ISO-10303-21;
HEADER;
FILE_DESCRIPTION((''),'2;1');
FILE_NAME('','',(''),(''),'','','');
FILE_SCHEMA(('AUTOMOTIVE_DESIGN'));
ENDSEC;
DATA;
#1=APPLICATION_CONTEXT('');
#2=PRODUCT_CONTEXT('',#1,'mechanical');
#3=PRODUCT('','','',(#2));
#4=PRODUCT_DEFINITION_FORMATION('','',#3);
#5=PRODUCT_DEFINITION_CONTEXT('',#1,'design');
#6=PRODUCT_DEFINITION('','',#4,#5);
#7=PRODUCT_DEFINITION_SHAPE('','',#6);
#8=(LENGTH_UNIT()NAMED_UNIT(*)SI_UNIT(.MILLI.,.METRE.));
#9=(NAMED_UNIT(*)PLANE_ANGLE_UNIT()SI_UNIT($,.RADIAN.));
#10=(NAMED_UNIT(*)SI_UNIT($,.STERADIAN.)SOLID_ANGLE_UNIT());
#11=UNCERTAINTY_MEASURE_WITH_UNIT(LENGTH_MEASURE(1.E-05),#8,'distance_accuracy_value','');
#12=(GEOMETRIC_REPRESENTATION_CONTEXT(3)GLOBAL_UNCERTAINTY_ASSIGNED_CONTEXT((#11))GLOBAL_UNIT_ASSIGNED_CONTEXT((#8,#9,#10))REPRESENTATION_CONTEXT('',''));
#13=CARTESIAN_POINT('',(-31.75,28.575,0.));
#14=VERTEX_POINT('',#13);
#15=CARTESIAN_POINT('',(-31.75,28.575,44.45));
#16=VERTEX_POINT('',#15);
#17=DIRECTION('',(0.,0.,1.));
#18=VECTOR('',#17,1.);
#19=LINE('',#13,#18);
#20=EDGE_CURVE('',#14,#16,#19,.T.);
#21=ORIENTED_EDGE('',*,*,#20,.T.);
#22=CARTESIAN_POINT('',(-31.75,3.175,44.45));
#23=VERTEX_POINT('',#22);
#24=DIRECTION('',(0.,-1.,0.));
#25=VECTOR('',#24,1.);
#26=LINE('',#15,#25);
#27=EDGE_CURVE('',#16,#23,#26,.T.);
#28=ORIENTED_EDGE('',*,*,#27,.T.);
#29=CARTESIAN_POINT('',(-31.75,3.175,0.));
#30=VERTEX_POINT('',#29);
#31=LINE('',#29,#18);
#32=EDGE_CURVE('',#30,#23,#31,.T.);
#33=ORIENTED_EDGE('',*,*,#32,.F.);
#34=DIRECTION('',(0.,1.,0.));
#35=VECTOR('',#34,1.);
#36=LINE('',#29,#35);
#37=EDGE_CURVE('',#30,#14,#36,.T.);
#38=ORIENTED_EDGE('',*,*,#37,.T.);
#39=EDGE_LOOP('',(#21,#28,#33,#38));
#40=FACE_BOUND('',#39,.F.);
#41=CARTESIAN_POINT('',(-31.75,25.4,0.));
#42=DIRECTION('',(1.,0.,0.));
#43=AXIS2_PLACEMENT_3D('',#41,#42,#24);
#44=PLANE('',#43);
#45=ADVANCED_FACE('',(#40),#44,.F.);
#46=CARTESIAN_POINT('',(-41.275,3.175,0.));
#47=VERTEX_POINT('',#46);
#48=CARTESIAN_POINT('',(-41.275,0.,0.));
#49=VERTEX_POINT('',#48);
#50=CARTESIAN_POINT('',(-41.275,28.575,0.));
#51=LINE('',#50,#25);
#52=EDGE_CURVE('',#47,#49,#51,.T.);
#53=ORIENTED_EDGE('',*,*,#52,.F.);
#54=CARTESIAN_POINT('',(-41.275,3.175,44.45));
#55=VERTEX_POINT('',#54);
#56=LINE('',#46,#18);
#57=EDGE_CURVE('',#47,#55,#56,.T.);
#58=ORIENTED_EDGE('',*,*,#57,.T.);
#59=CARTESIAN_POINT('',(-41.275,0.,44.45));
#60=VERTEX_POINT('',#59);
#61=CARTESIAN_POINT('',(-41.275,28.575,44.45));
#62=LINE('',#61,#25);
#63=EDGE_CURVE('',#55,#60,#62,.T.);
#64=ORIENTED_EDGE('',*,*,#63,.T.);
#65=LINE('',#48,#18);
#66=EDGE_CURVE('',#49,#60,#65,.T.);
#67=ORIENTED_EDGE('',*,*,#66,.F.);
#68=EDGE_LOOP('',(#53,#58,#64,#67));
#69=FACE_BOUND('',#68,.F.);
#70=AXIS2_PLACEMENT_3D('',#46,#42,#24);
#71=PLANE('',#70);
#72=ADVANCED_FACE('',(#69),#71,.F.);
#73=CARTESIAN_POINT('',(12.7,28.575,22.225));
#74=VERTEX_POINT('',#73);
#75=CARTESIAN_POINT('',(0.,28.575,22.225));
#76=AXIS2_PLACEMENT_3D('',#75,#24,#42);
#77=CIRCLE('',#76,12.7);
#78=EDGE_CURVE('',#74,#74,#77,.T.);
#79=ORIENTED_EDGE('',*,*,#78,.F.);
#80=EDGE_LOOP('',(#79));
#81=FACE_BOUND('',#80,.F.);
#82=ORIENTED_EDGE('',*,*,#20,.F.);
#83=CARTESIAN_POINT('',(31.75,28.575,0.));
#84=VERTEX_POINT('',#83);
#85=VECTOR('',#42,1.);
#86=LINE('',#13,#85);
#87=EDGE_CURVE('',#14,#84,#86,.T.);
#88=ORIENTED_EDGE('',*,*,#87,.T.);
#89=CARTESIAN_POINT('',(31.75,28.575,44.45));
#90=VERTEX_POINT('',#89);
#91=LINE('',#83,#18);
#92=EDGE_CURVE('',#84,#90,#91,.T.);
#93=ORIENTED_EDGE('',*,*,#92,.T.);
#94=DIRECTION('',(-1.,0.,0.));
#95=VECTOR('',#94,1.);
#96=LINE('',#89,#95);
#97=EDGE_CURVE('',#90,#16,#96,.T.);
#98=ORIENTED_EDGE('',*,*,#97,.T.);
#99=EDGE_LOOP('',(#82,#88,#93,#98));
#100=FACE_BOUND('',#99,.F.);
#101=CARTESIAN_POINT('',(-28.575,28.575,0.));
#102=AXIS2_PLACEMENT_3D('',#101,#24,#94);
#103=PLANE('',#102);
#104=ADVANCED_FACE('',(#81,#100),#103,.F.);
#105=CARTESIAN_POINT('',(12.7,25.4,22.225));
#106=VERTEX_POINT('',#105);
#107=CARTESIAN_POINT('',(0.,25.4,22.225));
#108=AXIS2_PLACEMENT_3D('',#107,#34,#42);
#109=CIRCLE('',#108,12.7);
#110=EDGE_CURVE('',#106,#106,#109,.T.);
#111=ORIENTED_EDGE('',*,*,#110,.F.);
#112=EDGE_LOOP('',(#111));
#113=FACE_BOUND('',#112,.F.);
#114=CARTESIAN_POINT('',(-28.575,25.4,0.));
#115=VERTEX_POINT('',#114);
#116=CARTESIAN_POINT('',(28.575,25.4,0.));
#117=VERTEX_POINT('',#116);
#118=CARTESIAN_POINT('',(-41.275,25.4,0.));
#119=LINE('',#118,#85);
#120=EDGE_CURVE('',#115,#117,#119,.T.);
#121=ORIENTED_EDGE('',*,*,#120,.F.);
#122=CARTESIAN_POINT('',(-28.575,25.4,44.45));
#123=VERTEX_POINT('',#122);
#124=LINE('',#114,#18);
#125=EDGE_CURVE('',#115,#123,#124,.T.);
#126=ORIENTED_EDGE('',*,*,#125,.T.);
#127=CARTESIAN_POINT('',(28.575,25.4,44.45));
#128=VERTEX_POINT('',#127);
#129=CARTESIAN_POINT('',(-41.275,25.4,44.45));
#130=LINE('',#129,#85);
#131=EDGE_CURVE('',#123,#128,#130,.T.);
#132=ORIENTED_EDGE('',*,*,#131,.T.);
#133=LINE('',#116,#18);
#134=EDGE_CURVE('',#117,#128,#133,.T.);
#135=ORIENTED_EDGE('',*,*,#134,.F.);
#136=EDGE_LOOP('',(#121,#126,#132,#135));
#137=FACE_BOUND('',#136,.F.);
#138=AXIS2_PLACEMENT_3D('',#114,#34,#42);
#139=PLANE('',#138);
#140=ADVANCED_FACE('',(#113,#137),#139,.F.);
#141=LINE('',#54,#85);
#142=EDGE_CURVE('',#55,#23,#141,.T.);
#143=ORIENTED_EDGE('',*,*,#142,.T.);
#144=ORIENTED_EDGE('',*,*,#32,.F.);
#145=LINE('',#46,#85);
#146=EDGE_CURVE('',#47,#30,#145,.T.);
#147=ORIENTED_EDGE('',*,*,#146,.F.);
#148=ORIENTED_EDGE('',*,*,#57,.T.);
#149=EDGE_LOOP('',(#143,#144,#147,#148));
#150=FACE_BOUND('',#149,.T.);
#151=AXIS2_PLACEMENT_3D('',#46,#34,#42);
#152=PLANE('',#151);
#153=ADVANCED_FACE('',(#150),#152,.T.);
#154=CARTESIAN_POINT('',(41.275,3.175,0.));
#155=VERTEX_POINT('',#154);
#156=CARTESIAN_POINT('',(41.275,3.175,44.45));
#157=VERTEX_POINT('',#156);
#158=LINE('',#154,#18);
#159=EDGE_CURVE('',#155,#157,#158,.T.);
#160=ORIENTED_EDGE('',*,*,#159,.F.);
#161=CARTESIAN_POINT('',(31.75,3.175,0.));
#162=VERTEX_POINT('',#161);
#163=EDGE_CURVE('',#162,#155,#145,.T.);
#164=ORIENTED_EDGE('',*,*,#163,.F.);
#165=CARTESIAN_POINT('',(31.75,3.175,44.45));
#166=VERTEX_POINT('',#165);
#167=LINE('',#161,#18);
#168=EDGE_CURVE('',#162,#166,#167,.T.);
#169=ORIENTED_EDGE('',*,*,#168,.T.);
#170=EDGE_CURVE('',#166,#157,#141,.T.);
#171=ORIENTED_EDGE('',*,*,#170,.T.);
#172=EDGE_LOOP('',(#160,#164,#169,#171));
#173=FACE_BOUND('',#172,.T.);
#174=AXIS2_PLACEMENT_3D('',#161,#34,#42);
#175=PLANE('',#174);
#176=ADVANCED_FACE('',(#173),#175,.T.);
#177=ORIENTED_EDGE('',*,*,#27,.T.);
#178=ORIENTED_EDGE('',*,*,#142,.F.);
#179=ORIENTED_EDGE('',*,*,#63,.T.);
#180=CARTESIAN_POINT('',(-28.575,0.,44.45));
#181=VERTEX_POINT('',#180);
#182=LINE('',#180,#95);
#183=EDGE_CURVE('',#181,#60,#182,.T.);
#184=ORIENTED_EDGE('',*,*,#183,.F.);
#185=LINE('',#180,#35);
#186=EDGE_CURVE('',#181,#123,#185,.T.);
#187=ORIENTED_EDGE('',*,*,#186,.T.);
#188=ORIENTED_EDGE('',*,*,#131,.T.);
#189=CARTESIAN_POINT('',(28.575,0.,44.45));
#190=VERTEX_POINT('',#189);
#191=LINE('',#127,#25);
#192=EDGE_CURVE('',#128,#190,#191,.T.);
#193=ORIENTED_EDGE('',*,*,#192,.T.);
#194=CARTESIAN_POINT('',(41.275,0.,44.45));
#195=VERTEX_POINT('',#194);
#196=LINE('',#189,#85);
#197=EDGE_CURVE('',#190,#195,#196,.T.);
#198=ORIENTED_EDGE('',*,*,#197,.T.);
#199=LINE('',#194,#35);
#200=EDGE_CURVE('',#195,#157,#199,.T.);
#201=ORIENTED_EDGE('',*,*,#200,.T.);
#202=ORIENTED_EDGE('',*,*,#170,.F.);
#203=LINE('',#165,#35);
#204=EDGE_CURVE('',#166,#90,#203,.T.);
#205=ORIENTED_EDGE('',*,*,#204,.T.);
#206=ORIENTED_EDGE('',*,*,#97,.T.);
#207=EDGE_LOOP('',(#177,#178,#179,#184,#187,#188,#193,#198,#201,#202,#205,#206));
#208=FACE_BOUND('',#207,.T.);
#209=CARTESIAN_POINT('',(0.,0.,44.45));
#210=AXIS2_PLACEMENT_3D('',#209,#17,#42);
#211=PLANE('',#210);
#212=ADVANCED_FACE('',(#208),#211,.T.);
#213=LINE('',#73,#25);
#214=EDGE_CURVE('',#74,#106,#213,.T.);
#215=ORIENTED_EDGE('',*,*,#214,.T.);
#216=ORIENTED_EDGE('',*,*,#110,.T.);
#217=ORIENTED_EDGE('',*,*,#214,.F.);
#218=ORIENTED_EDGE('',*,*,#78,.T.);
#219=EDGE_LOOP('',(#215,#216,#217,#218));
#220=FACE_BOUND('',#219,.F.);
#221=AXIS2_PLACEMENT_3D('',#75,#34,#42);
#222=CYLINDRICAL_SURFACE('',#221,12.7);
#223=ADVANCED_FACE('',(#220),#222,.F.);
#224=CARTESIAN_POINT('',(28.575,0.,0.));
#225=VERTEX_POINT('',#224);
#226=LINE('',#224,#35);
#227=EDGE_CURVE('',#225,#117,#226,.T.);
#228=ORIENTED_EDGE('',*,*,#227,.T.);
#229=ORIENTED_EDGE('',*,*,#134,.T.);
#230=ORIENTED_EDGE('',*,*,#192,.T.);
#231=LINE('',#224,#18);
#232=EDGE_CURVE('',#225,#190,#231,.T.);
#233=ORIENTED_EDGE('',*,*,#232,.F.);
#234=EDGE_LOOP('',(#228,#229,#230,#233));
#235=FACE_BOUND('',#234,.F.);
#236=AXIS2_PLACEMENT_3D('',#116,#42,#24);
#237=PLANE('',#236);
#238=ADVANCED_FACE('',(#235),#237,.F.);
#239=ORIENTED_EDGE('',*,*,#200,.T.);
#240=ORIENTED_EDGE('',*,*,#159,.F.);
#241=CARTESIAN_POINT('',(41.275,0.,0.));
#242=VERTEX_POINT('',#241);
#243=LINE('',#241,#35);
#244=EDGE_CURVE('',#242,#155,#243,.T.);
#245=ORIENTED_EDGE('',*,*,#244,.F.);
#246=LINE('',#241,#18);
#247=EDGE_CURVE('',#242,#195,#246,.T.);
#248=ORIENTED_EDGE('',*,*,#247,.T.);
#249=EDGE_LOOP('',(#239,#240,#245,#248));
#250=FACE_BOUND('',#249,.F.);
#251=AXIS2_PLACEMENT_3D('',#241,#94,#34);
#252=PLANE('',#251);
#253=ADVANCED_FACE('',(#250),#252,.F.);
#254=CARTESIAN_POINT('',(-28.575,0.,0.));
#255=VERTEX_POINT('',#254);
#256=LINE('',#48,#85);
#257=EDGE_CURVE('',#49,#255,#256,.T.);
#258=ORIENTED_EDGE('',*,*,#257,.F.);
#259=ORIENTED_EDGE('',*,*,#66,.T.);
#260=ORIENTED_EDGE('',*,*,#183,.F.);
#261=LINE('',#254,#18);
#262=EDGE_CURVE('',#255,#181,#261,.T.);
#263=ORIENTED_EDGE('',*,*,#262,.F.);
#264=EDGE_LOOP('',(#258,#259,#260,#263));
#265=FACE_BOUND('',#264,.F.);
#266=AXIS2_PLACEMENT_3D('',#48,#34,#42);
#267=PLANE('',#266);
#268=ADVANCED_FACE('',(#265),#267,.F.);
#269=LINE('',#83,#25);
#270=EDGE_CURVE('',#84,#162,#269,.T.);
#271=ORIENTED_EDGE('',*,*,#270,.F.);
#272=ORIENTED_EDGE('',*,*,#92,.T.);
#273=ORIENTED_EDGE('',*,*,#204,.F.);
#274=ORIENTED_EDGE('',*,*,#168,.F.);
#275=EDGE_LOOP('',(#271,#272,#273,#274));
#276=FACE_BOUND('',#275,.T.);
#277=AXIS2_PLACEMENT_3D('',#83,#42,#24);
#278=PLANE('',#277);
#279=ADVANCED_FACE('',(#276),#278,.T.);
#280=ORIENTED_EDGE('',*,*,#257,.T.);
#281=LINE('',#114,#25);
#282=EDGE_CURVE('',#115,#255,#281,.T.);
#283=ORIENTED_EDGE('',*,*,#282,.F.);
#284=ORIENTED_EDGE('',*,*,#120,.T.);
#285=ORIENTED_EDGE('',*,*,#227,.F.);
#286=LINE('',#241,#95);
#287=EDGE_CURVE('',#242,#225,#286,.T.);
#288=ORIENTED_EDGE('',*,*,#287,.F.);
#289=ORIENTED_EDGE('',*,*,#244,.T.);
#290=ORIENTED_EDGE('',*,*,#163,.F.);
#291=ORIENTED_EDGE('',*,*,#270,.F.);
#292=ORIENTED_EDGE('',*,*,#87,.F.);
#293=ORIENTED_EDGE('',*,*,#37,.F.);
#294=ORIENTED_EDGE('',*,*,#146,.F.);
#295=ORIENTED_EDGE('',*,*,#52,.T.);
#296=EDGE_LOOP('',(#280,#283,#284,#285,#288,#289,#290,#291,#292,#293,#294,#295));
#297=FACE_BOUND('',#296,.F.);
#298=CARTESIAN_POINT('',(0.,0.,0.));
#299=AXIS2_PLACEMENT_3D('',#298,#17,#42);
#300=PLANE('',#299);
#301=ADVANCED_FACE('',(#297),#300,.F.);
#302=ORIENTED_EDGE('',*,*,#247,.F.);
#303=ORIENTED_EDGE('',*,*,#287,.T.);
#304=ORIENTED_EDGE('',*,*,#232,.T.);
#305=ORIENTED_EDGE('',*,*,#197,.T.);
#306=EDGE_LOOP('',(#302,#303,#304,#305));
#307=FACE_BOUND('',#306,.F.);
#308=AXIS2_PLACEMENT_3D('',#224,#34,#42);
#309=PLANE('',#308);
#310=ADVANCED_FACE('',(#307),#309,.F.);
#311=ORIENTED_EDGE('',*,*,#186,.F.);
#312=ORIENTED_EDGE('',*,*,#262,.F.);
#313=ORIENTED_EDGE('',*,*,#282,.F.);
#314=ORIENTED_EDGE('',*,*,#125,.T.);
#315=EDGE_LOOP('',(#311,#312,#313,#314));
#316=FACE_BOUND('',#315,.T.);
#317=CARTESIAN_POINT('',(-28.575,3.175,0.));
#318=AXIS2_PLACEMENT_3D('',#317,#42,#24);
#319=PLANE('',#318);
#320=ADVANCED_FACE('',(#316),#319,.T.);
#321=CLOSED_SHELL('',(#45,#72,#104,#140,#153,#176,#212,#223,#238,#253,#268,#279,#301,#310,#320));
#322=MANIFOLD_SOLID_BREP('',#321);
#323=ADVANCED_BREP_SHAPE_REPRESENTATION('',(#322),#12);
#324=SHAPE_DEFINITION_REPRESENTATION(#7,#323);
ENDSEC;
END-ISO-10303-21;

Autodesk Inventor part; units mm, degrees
ref_plane "YZ Plane" through (0, 0, 0) normal (1, 0, 0) x (0, 1, 0)
ref_plane "XZ Plane" through (0, 0, 0) normal (0, 1, 0) x (-1, 0, 0)
ref_plane "XY Plane" through (0, 0, 0) normal (0, 0, 1) x (1, 0, 0)
sketch "Sketch1" plane through (0, 0, 0) normal (0, 0, 1) x (1, 0, 0)
  line L0 (-41.275, 0) -> (41.275, 0)
  line L1 (41.275, 0) -> (41.275, 28.575)
  line L2 (41.275, 28.575) -> (-41.275, 28.575)
  line L3 (-41.275, 28.575) -> (-41.275, 0)
  line L4 (-28.575, 28.575) -> (-28.575, 0)
  line L5 (28.575, 28.575) -> (28.575, 0)
  line L6 (-41.275, 25.4) -> (41.275, 25.4)
  line L7 (-31.75, 28.575) -> (-31.75, 0)
  line L8 (31.75, 28.575) -> (31.75, 0)
  line L9 (-41.275, 3.175) -> (41.275, 3.175)
  point P0 (0, 0)
  point P1 (0, 0)
  point P2 (-31.75, 3.175)
  point P3 (-28.575, 25.4)
  point P4 (28.575, 25.4)
  point P5 (31.75, 3.175)
  dimension "d0" = 28.575
  dimension "d1" = 12.7
  dimension "d2" = 12.7
  dimension "d3" = 57.15
  dimension "d4" = 3.175
  dimension "d5" = 3.175
  dimension "d6" = 3.175
  dimension "d7" = 3.175
extrude "Extrusion1" add sketch "Sketch1" along normal blind 44.45 contours L3 L9 L7 L0 | L7 L9 L4 L0 | L7 L6 L4 L9 | L5 L9 L8 L0 | L7 L2 L4 L6 | L8 L9 L1 L0 | L5 L6 L8 L9 | L4 L2 L5 L6 | L5 L2 L8 L6
sketch "Sketch2" plane through (-31.75, 28.575, 0) normal (0, 1, 0) x (1, 0, 0)
  line L0 (63.5, 0) -> (0, 0) projected
  line L1 (0, 0) -> (0, -44.45) projected
  line L2 (63.5, -44.45) -> (0, -44.45) projected
  line L3 (63.5, 0) -> (63.5, -44.45) projected
  line L4 (31.75, 0) -> (31.75, -44.45)
  line L5 (0, -22.225) -> (63.5, -22.225)
  circle A0 centre (31.75, -22.225) radius 12.7
  dimension "d10" = 25.4
extrude "Extrusion2" cut sketch "Sketch2" against normal through all contours A0 L5 L4 | L4 L5 A0 | A0 L4 L5 | L4 A0 L5
properties part number "bunny offset"
